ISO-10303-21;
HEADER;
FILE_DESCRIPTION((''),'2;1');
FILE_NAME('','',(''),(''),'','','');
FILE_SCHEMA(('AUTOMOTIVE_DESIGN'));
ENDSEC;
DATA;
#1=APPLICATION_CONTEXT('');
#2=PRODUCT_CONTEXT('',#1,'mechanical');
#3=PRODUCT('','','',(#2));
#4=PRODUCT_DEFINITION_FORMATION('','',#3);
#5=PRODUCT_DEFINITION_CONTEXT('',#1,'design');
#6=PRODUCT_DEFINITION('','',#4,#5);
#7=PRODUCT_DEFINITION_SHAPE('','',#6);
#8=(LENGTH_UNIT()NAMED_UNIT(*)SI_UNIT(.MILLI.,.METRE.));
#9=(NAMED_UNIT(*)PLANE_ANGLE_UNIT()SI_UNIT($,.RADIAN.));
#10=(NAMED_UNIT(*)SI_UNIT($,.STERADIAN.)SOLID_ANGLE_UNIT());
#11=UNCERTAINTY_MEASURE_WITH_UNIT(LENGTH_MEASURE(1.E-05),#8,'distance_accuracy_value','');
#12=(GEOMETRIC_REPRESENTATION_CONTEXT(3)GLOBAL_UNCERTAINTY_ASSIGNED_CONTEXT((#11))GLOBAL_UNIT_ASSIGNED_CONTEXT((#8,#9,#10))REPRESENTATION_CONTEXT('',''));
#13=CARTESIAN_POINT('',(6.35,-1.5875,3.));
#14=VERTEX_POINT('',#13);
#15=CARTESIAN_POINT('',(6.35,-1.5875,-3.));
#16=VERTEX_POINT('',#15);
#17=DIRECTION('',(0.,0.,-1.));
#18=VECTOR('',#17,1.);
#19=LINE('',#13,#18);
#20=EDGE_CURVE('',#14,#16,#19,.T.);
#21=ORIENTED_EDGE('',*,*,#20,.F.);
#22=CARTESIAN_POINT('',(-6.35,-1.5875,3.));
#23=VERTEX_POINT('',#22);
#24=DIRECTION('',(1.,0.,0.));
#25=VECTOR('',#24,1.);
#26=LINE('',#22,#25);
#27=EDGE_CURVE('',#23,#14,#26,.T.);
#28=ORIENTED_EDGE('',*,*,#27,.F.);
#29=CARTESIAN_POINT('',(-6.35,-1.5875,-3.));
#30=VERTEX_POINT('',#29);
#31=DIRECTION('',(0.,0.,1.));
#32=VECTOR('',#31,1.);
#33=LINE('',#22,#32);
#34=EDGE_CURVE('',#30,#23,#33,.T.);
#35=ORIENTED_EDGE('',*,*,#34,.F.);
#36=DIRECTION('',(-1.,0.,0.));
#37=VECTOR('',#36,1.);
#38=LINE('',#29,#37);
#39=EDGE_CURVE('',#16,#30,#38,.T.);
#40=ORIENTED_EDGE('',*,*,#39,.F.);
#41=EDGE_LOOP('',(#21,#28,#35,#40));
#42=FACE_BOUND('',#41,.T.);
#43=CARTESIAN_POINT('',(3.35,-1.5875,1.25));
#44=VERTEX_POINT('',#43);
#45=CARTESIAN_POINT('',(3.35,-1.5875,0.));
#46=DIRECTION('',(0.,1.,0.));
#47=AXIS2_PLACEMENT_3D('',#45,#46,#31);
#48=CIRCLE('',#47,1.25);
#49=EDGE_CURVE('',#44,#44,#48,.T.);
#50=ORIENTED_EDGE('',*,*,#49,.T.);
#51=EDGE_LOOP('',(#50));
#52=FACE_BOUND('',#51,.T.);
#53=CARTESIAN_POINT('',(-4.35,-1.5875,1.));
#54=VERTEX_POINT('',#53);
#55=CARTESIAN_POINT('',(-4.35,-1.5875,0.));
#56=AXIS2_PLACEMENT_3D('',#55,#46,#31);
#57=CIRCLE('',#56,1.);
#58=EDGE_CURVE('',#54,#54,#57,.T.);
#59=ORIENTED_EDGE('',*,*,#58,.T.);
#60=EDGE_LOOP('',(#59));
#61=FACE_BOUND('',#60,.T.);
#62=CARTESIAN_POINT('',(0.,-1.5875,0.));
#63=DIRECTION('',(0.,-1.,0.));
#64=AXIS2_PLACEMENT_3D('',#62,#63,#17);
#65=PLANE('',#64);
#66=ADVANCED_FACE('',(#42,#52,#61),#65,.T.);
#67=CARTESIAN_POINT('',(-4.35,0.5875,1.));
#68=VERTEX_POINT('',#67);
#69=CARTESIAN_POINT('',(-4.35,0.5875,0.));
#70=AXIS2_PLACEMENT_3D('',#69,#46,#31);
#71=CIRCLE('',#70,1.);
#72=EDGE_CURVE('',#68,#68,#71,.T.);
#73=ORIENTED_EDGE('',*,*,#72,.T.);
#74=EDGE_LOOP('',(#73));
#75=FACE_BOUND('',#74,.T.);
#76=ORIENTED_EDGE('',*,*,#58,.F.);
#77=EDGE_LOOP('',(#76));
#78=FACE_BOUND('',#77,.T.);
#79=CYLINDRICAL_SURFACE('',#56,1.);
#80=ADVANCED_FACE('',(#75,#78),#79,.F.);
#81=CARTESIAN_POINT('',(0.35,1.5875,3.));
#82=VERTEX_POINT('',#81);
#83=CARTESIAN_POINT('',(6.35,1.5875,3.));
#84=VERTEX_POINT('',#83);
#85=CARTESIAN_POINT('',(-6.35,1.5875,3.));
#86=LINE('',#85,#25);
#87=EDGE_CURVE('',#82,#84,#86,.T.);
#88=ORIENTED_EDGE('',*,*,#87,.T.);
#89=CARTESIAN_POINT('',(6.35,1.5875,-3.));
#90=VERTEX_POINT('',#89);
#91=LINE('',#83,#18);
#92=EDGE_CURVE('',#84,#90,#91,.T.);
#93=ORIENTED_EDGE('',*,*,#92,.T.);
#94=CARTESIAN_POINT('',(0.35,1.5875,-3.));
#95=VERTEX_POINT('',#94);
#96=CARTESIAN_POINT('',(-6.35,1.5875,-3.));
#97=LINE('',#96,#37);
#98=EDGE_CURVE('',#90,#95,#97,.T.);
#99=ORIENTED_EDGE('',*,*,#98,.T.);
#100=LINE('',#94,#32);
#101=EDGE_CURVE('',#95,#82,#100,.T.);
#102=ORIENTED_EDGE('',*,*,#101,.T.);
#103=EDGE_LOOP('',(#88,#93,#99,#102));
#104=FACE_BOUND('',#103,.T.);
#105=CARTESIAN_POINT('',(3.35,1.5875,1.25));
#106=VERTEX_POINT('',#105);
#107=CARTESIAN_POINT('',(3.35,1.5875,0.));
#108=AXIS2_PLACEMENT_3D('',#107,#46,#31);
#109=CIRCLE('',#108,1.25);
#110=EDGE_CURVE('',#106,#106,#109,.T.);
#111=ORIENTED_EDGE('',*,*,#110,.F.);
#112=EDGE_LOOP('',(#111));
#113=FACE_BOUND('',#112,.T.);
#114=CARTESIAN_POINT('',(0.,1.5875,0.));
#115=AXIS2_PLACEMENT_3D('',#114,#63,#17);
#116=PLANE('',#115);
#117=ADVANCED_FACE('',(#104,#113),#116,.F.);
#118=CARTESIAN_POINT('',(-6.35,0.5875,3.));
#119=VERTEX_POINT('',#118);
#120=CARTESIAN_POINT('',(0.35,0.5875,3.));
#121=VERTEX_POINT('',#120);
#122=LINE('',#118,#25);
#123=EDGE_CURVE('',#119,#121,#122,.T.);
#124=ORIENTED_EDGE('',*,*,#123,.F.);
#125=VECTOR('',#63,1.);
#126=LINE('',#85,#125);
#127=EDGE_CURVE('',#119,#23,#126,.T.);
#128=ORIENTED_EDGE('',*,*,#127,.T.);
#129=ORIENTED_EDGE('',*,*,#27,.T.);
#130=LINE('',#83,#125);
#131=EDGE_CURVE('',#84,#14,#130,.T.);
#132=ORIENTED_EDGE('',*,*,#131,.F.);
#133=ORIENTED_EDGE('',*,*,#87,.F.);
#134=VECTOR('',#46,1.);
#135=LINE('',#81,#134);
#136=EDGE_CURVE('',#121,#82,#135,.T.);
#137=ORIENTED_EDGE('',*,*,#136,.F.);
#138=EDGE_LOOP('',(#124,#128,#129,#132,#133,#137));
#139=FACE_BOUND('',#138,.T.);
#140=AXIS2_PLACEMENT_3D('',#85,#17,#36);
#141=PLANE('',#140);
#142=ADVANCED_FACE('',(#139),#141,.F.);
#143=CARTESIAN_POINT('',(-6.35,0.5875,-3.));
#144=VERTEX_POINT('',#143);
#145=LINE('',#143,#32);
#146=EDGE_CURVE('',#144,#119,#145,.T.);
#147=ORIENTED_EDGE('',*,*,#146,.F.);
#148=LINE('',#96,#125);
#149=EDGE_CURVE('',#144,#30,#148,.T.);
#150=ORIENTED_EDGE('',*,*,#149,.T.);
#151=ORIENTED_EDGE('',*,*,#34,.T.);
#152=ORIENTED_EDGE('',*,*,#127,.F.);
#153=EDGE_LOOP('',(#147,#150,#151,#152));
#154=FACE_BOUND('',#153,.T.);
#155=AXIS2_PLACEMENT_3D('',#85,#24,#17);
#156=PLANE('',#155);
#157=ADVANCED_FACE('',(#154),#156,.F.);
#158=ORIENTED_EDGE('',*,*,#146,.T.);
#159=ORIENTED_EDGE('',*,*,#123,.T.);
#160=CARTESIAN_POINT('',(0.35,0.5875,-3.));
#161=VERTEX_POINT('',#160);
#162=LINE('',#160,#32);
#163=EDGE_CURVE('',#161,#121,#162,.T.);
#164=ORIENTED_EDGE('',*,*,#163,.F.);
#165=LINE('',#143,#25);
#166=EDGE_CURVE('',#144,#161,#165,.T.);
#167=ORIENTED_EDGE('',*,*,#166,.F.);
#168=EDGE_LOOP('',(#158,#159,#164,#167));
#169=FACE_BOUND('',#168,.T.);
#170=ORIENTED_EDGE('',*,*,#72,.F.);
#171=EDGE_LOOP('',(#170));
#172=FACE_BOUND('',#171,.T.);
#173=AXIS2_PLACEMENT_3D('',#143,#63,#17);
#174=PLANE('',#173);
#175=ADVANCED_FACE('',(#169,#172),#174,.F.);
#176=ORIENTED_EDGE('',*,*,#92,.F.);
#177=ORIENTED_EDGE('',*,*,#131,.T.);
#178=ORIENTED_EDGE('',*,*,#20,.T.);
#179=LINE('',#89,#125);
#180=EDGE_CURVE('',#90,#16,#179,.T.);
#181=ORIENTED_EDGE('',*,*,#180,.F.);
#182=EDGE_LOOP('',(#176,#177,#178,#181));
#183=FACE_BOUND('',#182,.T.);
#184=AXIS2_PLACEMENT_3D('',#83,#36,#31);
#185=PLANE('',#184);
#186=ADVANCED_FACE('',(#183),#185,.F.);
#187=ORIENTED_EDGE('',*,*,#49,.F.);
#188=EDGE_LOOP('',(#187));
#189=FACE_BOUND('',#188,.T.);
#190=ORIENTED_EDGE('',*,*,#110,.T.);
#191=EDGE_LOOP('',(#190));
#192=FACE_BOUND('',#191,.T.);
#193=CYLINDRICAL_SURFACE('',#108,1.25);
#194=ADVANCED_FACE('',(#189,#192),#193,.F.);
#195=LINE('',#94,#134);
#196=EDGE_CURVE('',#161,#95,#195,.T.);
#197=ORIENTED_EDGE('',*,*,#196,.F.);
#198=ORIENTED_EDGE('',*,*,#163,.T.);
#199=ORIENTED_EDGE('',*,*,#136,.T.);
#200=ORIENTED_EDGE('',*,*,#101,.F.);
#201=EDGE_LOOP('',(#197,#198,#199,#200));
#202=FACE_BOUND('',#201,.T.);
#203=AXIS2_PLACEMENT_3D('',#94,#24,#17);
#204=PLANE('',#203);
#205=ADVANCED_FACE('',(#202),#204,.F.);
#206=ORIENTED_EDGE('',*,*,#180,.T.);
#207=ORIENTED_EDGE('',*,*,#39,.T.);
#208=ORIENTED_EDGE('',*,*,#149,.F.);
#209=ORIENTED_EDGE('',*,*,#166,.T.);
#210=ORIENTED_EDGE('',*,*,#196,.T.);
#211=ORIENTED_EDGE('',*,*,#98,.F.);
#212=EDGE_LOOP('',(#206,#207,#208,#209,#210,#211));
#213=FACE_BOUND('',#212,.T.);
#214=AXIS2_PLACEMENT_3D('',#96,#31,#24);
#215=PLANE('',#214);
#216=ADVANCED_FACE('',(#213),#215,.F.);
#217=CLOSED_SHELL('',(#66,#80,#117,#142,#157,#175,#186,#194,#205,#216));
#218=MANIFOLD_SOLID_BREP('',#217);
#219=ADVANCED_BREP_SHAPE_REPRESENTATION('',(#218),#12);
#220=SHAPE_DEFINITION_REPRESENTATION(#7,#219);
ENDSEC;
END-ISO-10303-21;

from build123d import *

# Parameters (mm, degrees)
SKETCH1_W             = 12.7
SKETCH1_H             = 6
BOSS_EXTRUDE1_DEPTH   = 1.5875
M3X0_5_TAPPED_HOLE1_D = 2.5
SKETCH4_W             = 6.7
SKETCH4_H             = 1
CUT_EXTRUDE1_DEPTH    = 9.879338728
SKETCH5_R             = 1
CUT_EXTRUDE2_DEPTH    = 8.352083038


with BuildPart() as part:
    # Sketch1 → Boss-Extrude1 (new, symmetric)
    with BuildSketch(Plane(origin=(0, 0, 0), x_dir=(1, 0, 0), z_dir=(0, 1, 0))):
        Rectangle(SKETCH1_W, SKETCH1_H)
    extrude(amount=BOSS_EXTRUDE1_DEPTH, both=True)

    # M3x0.5 Tapped Hole1 (through all)
    with Locations(Plane(origin=(0, 1.5875, 0), x_dir=(1, 0, 0), z_dir=(0, 1, 0))):
        with Locations((3.35, 0)):
            Hole(M3X0_5_TAPPED_HOLE1_D / 2)

    # Sketch4 → Cut-Extrude1 (cut, through all)
    with BuildSketch(Plane.XY.offset(3)):
        with Locations((-3, 1.0875)):
            Rectangle(SKETCH4_W, SKETCH4_H)
    extrude(amount=-CUT_EXTRUDE1_DEPTH, mode=Mode.SUBTRACT)

    # Sketch5 → Cut-Extrude2 (cut, through all)
    with BuildSketch(Plane(origin=(0, 0.5875, 0), x_dir=(1, 0, 0), z_dir=(0, 1, 0))):
        with Locations(Location((-4.35, 0, 0), (0, 0, 270))):
            Circle(SKETCH5_R)
    extrude(amount=-CUT_EXTRUDE2_DEPTH, mode=Mode.SUBTRACT)


solid = part.part
